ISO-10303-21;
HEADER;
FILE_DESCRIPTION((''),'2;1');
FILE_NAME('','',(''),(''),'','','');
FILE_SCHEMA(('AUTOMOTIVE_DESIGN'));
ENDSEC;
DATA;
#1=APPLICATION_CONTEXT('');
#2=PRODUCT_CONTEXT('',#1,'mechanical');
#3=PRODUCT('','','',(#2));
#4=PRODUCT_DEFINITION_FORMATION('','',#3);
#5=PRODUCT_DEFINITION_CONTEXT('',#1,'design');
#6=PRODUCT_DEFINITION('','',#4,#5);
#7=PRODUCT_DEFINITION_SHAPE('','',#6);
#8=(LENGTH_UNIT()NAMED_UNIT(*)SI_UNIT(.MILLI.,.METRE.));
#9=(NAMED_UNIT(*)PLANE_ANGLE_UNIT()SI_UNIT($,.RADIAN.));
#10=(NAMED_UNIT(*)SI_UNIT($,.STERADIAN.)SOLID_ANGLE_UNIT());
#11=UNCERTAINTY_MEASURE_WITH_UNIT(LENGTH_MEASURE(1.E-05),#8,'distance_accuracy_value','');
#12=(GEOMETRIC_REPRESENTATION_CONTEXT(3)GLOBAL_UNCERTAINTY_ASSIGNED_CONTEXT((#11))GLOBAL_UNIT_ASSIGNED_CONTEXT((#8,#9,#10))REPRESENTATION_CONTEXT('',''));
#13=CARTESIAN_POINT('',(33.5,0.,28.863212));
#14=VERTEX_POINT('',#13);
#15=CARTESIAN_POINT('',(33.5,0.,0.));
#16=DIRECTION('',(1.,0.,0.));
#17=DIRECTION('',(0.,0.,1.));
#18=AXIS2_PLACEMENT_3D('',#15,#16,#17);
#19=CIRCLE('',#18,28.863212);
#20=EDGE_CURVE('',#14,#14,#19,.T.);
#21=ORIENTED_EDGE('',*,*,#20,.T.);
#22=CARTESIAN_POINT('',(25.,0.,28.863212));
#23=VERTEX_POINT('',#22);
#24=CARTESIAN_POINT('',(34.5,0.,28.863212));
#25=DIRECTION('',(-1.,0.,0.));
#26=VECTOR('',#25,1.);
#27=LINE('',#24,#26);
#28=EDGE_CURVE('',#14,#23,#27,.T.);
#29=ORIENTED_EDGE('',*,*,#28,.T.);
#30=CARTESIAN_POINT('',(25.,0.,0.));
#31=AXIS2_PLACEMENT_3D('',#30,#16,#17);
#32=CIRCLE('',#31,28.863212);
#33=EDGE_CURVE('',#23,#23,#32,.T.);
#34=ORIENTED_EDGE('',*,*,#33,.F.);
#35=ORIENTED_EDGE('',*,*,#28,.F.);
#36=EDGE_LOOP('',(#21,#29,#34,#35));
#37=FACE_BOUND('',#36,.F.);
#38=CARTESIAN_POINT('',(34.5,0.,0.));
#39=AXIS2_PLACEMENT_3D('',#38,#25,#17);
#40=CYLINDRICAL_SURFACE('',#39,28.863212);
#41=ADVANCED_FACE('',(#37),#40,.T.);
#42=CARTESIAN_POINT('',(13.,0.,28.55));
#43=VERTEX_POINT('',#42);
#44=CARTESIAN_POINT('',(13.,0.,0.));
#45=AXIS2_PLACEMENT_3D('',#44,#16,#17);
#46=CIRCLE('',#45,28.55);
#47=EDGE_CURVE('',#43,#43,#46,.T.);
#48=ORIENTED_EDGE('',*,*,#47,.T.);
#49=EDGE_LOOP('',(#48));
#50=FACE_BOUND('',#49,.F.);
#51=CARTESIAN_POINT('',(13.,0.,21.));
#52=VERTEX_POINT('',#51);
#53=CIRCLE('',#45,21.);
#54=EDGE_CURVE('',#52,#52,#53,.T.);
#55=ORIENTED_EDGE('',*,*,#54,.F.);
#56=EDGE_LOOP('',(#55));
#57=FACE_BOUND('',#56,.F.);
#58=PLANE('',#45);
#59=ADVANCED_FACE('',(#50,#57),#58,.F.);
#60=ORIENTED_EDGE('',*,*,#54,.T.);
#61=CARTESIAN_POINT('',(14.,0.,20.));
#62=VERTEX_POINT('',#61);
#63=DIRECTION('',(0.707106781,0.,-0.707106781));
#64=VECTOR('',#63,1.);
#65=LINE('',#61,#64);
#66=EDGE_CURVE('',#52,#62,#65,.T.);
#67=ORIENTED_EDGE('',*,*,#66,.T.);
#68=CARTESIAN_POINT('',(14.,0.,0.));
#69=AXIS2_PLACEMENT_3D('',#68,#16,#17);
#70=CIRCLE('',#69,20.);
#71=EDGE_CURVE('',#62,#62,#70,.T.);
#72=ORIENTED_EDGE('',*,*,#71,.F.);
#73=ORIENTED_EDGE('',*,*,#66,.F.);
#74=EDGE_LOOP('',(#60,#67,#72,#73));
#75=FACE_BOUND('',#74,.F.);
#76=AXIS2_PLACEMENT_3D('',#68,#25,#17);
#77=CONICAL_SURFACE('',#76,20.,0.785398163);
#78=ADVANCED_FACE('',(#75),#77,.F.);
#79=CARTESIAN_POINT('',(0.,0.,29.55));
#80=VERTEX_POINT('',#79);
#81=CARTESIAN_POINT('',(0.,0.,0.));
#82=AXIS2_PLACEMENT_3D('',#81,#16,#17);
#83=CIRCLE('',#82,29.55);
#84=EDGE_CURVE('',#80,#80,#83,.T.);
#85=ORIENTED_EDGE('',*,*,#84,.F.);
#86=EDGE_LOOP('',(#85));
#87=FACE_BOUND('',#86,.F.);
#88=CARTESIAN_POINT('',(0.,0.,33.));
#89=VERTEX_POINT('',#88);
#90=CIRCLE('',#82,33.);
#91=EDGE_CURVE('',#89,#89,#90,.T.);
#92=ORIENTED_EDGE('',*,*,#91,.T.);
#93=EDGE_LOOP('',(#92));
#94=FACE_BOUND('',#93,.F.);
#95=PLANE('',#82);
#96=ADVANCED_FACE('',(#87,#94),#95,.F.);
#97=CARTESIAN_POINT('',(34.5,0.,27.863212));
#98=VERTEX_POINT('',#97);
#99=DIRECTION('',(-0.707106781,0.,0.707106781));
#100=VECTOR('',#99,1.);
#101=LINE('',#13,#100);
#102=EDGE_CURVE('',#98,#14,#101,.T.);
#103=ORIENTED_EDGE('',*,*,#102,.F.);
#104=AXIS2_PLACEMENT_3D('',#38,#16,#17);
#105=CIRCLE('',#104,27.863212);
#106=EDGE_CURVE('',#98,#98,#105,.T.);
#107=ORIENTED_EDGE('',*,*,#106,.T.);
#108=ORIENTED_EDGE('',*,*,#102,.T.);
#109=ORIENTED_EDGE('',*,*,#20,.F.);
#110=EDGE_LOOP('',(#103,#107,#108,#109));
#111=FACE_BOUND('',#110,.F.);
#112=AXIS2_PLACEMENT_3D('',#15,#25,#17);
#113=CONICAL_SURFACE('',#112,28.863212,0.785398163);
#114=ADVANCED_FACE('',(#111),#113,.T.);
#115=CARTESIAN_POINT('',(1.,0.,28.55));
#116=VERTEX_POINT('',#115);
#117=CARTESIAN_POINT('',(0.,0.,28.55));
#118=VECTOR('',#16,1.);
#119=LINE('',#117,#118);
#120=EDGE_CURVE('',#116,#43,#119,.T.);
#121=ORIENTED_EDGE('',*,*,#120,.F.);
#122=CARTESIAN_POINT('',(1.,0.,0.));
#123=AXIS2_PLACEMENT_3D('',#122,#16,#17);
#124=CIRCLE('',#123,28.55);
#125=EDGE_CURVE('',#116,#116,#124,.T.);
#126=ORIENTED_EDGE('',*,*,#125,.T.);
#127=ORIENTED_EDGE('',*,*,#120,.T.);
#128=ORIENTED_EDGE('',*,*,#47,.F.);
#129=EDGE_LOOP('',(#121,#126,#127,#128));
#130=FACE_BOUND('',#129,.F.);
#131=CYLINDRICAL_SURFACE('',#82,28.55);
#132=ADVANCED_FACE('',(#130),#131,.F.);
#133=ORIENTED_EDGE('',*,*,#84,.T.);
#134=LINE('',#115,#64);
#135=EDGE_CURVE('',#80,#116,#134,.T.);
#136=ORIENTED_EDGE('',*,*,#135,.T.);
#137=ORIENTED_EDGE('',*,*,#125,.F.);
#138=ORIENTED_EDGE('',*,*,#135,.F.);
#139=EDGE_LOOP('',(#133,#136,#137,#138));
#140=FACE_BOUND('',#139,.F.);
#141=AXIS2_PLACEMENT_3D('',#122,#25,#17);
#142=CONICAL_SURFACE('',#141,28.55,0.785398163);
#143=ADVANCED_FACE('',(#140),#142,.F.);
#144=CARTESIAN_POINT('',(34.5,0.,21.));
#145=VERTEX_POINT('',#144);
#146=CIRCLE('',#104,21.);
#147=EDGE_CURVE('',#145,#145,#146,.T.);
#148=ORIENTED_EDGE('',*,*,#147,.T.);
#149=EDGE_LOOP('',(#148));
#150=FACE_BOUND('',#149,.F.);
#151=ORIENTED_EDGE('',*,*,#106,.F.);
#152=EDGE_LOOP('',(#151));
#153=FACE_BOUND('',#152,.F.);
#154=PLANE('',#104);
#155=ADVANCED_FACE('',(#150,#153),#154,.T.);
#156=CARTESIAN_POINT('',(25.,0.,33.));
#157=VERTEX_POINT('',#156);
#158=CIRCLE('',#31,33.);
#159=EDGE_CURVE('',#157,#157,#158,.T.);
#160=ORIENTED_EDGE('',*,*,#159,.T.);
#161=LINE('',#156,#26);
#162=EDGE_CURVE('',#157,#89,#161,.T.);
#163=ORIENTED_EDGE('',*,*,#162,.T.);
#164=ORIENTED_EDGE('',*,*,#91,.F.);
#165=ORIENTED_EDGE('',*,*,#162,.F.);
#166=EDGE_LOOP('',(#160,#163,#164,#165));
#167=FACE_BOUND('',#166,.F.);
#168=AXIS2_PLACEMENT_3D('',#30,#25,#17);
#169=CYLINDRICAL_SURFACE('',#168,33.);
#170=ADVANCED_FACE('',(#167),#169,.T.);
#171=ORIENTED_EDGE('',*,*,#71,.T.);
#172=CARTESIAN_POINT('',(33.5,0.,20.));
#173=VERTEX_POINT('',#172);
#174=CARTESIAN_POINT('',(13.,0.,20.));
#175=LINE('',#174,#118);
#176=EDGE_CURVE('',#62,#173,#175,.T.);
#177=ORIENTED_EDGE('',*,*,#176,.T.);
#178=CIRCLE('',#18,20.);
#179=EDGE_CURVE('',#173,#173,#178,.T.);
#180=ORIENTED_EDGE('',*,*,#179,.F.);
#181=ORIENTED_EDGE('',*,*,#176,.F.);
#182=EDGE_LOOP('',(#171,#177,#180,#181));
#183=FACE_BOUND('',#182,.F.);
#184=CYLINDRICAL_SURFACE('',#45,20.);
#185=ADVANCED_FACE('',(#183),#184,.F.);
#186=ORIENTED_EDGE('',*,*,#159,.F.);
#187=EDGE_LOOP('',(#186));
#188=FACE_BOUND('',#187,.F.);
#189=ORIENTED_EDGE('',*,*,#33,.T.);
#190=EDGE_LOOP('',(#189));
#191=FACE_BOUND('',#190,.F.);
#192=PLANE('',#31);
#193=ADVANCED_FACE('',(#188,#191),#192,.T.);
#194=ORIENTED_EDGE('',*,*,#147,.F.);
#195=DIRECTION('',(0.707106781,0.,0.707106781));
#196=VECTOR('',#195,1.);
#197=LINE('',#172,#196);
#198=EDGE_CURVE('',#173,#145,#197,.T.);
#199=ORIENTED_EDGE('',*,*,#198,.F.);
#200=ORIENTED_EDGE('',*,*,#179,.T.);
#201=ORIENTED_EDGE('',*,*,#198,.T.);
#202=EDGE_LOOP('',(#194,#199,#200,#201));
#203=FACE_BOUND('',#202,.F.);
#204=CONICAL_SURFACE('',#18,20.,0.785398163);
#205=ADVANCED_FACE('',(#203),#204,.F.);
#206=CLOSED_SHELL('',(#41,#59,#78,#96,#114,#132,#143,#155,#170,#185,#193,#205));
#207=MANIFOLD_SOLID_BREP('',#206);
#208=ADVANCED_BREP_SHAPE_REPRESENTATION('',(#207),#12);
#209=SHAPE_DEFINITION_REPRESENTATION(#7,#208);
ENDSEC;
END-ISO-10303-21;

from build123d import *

# Parameters (mm, degrees)
F2_SIZE = 1


with BuildPart() as f1:
    # F0 (on Front) → F1 (revolve)
    with BuildSketch(Plane.XZ):
        Polygon((25, 33), (0, 33), (0, 28.55), (13, 28.55), (13, 20), (34.5, 20), (34.5, 28.863212), (25, 28.863212), align=None)
    revolve(axis=Axis((3.439768, 0, 0), (1, 0, 0)))

    # F2
    f2_edges = [f1.edges().sort_by_distance(p)[0] for p in [
        (0, 0, -28.55),
        (34.5, 0, -20),
        (34.5, 0, -28.863212),
        (13, 0, -20),
    ]]
    chamfer(f2_edges, length=F2_SIZE)


solid = f1.part
